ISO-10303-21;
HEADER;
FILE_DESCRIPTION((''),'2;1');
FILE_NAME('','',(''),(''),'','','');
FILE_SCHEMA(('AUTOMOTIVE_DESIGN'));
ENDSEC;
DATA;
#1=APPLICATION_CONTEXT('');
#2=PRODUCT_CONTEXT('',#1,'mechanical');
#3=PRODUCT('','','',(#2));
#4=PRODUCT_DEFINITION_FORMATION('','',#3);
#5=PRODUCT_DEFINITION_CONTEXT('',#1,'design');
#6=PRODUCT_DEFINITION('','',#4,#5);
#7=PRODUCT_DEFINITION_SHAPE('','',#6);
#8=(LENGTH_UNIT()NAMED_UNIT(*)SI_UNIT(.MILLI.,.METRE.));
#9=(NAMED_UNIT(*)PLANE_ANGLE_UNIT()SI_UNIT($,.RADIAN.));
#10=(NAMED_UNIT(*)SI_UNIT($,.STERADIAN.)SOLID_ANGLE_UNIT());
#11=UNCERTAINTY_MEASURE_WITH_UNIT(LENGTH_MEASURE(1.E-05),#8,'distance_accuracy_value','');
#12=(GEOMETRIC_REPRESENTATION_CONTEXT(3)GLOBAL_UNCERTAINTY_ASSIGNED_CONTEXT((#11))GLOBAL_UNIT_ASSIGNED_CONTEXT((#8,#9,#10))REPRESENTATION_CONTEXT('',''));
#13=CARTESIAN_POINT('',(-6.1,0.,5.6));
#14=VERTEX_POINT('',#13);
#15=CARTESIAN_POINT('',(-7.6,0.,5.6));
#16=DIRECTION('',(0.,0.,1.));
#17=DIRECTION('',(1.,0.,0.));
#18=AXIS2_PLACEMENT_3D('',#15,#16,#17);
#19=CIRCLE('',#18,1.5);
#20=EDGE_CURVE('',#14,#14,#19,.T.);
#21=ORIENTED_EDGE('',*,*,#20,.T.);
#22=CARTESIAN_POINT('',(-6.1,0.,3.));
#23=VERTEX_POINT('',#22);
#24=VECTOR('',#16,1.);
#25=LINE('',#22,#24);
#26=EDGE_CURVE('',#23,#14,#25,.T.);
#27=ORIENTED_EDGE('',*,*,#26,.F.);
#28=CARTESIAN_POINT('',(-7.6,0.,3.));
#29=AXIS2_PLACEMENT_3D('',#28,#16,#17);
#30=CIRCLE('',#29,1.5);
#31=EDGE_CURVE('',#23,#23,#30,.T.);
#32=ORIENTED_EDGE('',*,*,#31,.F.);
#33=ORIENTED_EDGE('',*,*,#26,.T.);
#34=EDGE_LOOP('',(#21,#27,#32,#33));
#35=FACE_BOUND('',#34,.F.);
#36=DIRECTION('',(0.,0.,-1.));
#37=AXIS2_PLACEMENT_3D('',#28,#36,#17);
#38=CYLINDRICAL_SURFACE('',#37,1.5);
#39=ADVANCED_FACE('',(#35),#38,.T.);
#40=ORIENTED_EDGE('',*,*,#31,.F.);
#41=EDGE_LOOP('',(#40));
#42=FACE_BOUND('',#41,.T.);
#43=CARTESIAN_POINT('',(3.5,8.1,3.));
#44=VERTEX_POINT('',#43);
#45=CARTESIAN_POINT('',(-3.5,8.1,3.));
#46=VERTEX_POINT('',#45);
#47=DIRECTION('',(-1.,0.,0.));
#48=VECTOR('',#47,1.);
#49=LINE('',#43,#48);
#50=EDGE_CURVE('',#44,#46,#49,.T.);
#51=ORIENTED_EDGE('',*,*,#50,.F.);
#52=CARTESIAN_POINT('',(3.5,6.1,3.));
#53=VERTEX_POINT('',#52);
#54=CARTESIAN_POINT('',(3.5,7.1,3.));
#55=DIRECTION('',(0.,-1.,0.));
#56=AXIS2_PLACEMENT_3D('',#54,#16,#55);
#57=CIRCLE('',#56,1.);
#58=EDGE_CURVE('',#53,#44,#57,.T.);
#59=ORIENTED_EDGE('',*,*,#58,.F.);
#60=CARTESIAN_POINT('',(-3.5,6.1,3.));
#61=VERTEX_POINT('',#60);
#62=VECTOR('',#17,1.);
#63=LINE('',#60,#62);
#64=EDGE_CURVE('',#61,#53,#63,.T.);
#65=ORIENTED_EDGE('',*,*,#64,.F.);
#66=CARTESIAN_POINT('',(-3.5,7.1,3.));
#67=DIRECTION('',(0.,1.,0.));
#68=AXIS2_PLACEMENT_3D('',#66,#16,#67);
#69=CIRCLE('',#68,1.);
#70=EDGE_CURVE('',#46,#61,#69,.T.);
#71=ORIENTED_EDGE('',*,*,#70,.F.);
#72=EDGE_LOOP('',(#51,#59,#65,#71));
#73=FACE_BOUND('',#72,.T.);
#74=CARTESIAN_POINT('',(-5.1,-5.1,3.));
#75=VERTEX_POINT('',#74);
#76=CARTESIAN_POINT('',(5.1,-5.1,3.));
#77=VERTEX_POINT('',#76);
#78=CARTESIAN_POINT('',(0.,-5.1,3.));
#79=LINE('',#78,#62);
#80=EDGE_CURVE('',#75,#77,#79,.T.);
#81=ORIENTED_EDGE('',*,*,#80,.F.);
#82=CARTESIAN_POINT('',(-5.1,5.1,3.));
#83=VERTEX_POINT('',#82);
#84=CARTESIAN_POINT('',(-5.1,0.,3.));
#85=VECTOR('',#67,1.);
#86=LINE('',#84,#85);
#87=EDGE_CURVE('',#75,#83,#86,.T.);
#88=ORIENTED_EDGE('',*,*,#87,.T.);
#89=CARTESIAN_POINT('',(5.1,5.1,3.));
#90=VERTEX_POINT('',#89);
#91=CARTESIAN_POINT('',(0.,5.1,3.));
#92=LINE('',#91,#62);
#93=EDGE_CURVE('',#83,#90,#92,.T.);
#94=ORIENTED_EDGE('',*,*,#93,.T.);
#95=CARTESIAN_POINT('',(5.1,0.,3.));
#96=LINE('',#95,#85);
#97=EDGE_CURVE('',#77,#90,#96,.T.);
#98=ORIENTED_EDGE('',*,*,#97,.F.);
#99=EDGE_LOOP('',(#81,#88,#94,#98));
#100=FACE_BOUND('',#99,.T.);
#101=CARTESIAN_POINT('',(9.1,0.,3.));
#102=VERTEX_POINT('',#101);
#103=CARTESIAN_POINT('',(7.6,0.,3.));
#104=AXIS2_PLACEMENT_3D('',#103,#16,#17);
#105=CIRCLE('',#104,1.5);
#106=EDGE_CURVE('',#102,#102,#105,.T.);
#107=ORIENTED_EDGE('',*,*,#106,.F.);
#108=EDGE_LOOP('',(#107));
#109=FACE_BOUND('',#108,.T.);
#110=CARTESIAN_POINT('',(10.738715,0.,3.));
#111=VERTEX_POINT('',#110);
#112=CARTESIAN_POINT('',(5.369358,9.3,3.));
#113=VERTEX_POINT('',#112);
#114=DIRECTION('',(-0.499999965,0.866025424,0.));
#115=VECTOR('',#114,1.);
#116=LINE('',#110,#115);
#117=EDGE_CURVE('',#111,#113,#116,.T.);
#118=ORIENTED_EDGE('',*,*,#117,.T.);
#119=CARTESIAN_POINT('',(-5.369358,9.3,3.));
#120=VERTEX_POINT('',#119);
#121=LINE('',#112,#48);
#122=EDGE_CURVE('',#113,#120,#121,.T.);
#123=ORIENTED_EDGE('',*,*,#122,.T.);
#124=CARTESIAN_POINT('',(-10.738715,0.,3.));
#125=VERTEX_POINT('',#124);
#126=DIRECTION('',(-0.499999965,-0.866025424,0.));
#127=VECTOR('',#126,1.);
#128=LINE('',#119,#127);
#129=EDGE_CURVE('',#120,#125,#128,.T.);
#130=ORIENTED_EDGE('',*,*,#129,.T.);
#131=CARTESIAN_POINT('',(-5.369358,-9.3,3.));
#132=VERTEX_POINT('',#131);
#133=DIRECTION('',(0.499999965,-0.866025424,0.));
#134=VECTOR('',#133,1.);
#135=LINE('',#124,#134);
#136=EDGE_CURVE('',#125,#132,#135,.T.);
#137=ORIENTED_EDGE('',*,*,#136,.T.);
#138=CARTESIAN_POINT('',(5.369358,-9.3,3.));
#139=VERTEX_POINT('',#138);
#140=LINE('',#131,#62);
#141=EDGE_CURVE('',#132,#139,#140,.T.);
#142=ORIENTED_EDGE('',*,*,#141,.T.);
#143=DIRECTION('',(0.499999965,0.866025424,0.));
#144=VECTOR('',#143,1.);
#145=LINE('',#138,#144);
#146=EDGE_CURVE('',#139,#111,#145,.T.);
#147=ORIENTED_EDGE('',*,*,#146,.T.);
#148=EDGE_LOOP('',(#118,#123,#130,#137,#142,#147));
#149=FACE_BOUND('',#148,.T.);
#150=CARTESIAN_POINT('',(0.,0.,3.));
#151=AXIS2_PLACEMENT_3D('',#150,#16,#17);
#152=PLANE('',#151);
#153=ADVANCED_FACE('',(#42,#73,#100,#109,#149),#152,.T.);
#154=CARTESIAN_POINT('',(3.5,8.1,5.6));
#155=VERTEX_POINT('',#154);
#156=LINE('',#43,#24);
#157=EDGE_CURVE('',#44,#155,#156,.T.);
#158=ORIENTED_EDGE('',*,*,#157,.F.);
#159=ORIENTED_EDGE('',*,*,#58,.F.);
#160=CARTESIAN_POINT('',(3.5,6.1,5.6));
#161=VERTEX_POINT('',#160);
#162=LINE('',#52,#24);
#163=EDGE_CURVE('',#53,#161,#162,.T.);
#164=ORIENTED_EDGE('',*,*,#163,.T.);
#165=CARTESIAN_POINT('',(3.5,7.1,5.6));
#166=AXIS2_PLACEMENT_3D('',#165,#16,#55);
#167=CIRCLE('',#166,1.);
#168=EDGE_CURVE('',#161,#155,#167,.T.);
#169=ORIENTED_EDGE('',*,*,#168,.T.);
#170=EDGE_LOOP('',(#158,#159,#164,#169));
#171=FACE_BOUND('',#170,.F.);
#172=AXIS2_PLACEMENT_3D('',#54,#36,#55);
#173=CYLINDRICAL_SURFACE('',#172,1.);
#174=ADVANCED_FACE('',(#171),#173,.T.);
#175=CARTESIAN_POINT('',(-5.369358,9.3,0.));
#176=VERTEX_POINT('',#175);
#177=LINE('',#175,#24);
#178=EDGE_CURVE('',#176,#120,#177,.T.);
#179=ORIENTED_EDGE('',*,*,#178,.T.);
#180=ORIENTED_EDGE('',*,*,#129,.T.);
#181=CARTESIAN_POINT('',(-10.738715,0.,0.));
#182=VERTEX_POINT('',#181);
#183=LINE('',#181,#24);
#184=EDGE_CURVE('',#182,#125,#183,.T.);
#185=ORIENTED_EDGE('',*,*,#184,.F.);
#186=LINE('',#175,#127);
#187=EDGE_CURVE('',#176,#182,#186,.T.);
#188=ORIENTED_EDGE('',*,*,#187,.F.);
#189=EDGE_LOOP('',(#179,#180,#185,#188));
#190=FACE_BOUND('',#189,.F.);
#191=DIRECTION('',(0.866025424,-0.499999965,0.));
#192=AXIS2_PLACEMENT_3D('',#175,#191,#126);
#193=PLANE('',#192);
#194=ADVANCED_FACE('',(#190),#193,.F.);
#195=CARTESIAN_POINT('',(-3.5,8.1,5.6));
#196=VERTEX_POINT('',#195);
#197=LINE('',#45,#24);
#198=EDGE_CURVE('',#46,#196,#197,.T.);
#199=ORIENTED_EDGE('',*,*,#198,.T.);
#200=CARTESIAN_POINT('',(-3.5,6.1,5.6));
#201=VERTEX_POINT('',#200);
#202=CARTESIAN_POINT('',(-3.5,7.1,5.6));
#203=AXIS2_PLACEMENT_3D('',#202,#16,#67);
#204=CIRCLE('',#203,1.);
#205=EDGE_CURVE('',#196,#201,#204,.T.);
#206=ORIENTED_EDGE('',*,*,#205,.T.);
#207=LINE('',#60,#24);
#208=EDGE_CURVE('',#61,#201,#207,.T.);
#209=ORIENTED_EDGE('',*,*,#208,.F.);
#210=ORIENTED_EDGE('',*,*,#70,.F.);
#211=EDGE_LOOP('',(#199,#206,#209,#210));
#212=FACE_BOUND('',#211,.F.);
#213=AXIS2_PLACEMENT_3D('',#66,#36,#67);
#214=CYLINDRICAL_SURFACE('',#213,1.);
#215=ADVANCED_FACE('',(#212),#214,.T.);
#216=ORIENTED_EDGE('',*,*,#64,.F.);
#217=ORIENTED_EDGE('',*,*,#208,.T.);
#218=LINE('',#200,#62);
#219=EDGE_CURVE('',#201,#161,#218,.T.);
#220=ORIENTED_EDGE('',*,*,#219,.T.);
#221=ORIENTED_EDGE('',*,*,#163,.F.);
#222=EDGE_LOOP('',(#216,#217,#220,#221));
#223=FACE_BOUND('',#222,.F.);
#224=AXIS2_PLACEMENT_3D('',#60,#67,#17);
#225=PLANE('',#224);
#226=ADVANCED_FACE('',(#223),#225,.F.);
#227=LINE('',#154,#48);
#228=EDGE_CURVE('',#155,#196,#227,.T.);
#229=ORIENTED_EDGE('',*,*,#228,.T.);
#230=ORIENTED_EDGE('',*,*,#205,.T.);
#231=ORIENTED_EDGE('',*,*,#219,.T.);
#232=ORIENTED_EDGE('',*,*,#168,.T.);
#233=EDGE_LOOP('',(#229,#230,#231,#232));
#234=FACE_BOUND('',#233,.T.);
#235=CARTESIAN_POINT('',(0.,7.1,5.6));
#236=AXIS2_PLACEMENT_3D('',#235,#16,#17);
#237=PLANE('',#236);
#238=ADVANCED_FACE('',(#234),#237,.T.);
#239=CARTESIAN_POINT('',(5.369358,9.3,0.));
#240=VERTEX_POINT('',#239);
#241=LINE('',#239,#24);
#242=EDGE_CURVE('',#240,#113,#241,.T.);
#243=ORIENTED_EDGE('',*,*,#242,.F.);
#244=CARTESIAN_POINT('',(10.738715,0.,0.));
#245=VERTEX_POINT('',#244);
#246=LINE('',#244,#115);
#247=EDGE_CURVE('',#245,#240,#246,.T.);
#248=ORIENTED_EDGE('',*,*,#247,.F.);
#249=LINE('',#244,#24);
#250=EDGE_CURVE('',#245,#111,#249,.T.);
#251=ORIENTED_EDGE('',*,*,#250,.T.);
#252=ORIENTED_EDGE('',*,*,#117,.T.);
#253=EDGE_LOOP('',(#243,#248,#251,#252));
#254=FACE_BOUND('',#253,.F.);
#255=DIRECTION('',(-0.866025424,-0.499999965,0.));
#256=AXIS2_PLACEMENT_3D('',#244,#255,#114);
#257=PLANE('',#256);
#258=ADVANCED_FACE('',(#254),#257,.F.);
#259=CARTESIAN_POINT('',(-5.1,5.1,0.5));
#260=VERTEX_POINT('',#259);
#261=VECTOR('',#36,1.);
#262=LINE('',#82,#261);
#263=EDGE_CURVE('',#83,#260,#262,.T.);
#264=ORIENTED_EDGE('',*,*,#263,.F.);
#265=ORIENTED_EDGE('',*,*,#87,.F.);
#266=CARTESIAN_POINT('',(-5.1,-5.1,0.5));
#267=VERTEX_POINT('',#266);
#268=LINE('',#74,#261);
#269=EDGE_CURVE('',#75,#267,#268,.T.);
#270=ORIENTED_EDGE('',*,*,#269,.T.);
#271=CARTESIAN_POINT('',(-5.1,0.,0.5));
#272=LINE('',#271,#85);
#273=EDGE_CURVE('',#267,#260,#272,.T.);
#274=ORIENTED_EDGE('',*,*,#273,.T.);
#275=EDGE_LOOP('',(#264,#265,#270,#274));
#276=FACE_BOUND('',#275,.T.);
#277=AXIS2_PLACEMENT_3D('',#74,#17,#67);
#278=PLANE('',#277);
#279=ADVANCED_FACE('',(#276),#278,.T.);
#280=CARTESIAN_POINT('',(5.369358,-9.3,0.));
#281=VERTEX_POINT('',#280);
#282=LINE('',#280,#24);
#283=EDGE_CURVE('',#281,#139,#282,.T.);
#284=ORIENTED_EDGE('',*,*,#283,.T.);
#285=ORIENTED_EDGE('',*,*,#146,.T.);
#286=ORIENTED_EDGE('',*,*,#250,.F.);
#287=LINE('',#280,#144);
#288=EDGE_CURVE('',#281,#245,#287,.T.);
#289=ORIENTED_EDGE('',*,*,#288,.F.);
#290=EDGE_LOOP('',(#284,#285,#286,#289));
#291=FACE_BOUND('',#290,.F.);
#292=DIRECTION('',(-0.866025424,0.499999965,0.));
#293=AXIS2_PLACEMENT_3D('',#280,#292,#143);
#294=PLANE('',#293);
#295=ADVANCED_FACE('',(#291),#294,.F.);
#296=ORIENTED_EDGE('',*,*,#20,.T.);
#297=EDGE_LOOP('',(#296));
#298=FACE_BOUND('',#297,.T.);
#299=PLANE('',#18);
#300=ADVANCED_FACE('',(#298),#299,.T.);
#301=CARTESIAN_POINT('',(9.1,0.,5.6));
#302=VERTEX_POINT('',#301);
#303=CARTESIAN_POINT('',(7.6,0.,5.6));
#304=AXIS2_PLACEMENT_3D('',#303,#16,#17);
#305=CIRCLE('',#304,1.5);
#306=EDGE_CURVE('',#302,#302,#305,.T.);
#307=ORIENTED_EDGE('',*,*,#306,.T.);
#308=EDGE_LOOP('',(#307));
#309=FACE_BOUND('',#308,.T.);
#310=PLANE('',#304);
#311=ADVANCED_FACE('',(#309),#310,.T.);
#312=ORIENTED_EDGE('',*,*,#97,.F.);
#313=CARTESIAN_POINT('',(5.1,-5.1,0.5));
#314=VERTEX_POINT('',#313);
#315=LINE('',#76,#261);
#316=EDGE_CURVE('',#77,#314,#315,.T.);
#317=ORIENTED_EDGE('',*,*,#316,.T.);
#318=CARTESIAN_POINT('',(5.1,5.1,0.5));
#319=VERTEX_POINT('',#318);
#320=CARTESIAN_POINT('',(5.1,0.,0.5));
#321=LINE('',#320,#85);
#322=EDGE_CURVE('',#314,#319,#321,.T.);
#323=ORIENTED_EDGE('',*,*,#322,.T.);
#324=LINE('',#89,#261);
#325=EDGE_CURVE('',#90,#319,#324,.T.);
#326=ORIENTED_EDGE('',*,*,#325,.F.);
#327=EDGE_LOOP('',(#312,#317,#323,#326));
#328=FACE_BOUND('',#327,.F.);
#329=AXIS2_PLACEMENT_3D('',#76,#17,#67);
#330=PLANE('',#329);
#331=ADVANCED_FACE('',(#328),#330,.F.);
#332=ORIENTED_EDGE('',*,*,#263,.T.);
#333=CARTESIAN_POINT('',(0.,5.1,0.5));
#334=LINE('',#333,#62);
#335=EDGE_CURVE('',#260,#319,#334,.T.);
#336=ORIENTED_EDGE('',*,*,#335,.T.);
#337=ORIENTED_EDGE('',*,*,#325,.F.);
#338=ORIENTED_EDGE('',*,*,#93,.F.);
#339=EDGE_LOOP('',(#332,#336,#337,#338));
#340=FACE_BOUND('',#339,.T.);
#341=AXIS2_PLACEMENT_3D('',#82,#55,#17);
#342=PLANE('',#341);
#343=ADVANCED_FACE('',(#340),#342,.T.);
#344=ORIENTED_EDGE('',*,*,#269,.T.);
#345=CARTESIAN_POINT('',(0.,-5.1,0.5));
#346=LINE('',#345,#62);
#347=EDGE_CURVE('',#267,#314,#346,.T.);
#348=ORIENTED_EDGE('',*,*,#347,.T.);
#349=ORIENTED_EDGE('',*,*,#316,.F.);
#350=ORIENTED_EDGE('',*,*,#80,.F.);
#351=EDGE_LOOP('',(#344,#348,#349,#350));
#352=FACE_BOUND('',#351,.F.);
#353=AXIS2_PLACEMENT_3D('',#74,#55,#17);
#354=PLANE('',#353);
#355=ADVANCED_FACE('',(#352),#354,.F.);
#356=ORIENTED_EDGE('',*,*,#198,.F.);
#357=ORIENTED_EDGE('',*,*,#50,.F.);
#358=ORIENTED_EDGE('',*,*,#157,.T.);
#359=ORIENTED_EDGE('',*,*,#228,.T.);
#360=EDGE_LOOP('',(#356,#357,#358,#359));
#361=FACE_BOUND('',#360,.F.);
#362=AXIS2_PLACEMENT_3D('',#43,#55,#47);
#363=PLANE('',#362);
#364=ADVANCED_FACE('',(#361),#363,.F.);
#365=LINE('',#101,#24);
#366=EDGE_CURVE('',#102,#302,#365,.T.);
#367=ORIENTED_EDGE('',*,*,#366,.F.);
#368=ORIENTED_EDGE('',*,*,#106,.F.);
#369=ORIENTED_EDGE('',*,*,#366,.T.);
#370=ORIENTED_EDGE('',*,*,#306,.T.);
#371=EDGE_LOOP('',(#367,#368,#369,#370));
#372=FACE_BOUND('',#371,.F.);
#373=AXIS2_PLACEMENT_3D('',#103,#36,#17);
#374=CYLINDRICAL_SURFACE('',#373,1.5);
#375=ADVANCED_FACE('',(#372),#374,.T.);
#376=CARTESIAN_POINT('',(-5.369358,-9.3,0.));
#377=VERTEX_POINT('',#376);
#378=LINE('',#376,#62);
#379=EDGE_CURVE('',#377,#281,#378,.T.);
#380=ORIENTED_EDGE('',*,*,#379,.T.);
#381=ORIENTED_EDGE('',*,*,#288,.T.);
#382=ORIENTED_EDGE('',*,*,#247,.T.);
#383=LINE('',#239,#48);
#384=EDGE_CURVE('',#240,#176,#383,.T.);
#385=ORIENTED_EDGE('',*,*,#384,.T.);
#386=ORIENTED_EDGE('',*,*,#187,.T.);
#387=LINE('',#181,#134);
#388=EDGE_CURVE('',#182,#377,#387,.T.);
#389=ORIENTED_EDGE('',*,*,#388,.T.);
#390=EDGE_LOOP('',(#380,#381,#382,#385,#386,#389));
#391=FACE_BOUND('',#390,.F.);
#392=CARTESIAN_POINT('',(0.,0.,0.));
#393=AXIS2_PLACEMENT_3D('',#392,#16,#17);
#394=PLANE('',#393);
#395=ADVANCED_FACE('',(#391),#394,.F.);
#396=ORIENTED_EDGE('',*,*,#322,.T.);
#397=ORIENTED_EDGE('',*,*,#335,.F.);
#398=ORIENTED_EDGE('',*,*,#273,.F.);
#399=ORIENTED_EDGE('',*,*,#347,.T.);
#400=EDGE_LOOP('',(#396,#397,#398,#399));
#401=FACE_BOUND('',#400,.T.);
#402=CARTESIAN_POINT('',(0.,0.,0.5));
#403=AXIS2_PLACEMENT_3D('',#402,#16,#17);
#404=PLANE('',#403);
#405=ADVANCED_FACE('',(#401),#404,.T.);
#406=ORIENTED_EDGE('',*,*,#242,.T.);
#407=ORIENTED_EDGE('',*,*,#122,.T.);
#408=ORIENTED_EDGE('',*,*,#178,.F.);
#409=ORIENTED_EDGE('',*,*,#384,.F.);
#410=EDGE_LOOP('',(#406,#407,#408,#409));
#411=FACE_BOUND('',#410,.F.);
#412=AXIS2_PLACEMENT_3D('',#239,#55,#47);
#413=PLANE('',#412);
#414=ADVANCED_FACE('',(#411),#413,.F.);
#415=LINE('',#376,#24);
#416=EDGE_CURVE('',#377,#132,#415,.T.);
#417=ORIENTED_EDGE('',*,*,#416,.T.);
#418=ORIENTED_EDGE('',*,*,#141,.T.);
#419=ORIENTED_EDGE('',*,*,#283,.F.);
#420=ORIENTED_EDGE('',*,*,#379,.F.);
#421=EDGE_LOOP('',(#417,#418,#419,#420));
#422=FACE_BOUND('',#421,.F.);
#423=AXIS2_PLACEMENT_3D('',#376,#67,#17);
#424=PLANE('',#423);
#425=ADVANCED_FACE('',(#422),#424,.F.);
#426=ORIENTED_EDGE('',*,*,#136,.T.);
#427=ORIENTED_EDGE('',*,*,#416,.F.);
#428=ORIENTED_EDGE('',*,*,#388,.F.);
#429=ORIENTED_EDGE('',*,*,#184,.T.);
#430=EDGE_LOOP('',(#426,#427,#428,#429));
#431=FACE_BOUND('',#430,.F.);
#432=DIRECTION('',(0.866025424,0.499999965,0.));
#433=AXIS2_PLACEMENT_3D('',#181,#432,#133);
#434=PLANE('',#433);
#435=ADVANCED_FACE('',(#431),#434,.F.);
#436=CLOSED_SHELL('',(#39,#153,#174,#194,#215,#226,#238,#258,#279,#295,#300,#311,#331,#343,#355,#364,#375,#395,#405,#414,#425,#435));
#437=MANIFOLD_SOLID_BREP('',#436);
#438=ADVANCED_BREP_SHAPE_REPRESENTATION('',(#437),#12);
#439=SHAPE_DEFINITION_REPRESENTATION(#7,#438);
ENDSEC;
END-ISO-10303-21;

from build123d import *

# Parameters (mm, degrees)
PAD002_DEPTH    = 3
SKETCH004_R     = 1.5
PAD004_DEPTH    = 2.6
SKETCH005_W     = 10.2
SKETCH005_H     = 10.2
POCKET001_DEPTH = 2.5


with BuildPart() as part:
    # Sketch002 → Pad002 (new body)
    with BuildSketch(Plane.XY):
        Polygon((-5.369358, 9.3), (-10.738715, 0), (-5.369358, -9.3), (5.369358, -9.3), (10.738715, 0), (5.369358, 9.3), align=None)
    extrude(amount=PAD002_DEPTH)


with BuildPart() as part_1:
    # Body002 placement: moved
    add(part.part.moved(Location((0, 0, 3))))


with BuildPart() as part_2:
    # Clone placement: moved
    add(part_1.part.moved(Location((0, 0, -3))))

    # Sketch004 (on DatumPlane) → Pad004 (new body)
    with BuildSketch(Plane.XY.offset(3)):
        with Locations((-7.6, 0)):
            Circle(SKETCH004_R)
        with Locations((7.6, 0)):
            Circle(SKETCH004_R)
        with BuildLine():
            ThreePointArc((-3.5, 8.1), (-4.5, 7.1), (-3.5, 6.1))
            Line((-3.5, 6.1), (3.5, 6.1))
            ThreePointArc((3.5, 6.1), (4.5, 7.1), (3.5, 8.1))
            Line((3.5, 8.1), (-3.5, 8.1))
        make_face()
    extrude(amount=PAD004_DEPTH)

    # Sketch005 (on DatumPlane) → Pocket001 (cut)
    with BuildSketch(Plane.XY.offset(3)):
        Rectangle(SKETCH005_W, SKETCH005_H)
    extrude(amount=-POCKET001_DEPTH, mode=Mode.SUBTRACT)


solid = part_2.part
